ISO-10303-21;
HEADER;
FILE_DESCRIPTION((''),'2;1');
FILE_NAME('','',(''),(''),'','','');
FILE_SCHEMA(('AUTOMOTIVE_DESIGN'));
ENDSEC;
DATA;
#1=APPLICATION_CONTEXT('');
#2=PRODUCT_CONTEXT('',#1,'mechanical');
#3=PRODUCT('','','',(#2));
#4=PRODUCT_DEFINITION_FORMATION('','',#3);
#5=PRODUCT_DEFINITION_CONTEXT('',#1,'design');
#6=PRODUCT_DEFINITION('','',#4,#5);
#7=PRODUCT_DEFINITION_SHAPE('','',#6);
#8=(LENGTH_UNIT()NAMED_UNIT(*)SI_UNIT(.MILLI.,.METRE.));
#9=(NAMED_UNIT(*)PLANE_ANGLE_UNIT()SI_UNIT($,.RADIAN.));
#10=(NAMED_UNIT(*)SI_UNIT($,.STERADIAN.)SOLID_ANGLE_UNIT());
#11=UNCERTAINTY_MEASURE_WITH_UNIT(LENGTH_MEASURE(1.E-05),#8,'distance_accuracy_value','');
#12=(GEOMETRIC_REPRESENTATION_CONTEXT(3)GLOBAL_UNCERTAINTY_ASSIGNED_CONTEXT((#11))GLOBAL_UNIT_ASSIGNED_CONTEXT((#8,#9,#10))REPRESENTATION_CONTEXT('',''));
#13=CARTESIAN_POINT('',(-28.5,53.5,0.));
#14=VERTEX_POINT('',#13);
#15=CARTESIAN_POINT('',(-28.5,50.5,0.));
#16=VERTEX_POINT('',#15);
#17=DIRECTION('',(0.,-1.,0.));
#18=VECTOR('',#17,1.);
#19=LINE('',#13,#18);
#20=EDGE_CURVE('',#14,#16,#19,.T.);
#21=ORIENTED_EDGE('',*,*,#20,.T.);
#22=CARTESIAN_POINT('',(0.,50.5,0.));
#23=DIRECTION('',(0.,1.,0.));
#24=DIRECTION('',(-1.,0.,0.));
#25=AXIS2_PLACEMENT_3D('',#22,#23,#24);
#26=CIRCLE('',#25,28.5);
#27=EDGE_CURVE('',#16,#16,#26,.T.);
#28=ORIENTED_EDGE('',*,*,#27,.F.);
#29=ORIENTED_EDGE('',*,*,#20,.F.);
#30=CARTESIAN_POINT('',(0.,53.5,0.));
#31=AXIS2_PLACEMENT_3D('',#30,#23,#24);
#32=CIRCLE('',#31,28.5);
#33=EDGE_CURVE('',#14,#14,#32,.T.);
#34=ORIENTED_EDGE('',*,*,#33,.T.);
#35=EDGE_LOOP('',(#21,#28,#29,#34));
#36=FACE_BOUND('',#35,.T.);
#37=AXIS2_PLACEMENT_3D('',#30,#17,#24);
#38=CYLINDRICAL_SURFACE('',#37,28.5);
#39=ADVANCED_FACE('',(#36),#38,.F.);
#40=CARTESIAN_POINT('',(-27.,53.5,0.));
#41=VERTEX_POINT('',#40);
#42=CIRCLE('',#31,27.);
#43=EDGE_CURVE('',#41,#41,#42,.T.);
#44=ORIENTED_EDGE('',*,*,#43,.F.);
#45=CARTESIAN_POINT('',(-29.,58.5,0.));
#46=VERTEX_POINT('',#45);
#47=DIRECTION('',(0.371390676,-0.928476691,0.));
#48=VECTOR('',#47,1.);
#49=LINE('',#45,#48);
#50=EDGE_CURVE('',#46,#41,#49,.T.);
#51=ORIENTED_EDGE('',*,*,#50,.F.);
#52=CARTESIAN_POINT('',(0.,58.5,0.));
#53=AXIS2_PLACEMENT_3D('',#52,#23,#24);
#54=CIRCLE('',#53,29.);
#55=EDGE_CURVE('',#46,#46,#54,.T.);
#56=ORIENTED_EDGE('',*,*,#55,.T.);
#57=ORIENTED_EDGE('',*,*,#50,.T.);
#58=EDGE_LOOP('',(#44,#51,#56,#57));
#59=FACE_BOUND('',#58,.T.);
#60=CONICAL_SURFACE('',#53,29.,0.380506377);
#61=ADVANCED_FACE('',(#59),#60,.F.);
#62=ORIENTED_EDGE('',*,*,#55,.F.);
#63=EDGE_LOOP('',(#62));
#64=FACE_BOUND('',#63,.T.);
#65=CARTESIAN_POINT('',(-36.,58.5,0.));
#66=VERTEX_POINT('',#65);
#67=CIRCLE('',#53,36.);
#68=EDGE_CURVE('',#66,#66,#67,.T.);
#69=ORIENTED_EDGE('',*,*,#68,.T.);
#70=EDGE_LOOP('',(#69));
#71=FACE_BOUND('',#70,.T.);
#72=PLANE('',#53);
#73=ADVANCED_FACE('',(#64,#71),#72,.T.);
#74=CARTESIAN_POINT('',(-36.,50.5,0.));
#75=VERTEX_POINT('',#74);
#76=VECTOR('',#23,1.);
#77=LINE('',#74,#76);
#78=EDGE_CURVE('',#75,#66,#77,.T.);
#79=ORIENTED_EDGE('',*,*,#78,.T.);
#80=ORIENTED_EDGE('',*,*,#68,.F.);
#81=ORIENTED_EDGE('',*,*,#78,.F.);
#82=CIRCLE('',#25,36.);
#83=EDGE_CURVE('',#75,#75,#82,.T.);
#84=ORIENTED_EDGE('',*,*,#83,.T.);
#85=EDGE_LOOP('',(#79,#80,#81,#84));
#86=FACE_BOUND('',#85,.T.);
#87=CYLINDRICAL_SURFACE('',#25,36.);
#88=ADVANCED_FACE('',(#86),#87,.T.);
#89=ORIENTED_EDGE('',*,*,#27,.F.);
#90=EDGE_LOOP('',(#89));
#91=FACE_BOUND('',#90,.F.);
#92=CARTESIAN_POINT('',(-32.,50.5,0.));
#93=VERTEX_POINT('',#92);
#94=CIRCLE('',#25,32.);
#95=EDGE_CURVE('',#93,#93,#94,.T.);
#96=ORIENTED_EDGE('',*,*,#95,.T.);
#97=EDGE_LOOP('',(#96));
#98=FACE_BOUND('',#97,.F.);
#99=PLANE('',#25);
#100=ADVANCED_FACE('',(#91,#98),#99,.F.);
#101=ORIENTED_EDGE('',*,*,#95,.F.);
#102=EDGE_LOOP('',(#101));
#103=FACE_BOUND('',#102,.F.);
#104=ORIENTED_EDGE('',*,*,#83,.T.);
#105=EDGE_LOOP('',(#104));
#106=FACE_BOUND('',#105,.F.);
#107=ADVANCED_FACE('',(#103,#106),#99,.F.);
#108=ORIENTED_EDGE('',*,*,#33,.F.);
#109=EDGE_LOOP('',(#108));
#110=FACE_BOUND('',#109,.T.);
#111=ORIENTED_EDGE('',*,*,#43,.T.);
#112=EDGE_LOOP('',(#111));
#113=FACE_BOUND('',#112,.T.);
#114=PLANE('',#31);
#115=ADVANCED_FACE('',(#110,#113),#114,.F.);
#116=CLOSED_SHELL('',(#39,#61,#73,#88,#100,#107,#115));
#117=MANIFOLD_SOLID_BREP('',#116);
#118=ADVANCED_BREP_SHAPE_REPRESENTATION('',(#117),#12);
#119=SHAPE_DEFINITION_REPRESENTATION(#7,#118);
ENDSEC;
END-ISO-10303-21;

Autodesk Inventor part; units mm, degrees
ref_plane "YZ Plane" through (0, 0, 0) normal (1, 0, 0) x (0, 1, 0)
ref_plane "XZ Plane" through (0, 0, 0) normal (0, 1, 0) x (-1, 0, 0)
ref_plane "XY Plane" through (0, 0, 0) normal (0, 0, 1) x (1, 0, 0)
sketch "Boceto1" plane through (0, 0, 0) normal (0, 0, 1) x (1, 0, 0)
  line L0 (-36, 50.5) -> (-32, 50.5)
  line L1 (-32, 50.5) -> (-28.5, 50.5)
  line L2 (-36, 50.5) -> (-36, 58.5)
  line L3 (-36, 58.5) -> (-29, 58.5)
  line L4 (-29, 58.5) -> (-27, 53.5)
  line L5 (-27, 53.5) -> (-28.5, 53.5)
  line L6 (-28.5, 53.5) -> (-28.5, 50.5)
  line L7 (-36, 50.5) -> (-36, -0.0078) construction
  line L8 (0, -11.7094) -> (0, 70.2016) projected
  dimension "d12" = 4
  dimension "d21" = 3.5
  dimension "d22" = 8
  dimension "d23" = 50.5078
  dimension "d25" = 1.5
  dimension "d26" = 3
  dimension "d27" = 7
revolve "Revolución1" add sketch "Boceto1" angle 360 about axis through (0, -10, 0) along (0, 1, 0)
properties part number "BASE_INFERIOR_FENOLICO" material "Resina fenólica"
